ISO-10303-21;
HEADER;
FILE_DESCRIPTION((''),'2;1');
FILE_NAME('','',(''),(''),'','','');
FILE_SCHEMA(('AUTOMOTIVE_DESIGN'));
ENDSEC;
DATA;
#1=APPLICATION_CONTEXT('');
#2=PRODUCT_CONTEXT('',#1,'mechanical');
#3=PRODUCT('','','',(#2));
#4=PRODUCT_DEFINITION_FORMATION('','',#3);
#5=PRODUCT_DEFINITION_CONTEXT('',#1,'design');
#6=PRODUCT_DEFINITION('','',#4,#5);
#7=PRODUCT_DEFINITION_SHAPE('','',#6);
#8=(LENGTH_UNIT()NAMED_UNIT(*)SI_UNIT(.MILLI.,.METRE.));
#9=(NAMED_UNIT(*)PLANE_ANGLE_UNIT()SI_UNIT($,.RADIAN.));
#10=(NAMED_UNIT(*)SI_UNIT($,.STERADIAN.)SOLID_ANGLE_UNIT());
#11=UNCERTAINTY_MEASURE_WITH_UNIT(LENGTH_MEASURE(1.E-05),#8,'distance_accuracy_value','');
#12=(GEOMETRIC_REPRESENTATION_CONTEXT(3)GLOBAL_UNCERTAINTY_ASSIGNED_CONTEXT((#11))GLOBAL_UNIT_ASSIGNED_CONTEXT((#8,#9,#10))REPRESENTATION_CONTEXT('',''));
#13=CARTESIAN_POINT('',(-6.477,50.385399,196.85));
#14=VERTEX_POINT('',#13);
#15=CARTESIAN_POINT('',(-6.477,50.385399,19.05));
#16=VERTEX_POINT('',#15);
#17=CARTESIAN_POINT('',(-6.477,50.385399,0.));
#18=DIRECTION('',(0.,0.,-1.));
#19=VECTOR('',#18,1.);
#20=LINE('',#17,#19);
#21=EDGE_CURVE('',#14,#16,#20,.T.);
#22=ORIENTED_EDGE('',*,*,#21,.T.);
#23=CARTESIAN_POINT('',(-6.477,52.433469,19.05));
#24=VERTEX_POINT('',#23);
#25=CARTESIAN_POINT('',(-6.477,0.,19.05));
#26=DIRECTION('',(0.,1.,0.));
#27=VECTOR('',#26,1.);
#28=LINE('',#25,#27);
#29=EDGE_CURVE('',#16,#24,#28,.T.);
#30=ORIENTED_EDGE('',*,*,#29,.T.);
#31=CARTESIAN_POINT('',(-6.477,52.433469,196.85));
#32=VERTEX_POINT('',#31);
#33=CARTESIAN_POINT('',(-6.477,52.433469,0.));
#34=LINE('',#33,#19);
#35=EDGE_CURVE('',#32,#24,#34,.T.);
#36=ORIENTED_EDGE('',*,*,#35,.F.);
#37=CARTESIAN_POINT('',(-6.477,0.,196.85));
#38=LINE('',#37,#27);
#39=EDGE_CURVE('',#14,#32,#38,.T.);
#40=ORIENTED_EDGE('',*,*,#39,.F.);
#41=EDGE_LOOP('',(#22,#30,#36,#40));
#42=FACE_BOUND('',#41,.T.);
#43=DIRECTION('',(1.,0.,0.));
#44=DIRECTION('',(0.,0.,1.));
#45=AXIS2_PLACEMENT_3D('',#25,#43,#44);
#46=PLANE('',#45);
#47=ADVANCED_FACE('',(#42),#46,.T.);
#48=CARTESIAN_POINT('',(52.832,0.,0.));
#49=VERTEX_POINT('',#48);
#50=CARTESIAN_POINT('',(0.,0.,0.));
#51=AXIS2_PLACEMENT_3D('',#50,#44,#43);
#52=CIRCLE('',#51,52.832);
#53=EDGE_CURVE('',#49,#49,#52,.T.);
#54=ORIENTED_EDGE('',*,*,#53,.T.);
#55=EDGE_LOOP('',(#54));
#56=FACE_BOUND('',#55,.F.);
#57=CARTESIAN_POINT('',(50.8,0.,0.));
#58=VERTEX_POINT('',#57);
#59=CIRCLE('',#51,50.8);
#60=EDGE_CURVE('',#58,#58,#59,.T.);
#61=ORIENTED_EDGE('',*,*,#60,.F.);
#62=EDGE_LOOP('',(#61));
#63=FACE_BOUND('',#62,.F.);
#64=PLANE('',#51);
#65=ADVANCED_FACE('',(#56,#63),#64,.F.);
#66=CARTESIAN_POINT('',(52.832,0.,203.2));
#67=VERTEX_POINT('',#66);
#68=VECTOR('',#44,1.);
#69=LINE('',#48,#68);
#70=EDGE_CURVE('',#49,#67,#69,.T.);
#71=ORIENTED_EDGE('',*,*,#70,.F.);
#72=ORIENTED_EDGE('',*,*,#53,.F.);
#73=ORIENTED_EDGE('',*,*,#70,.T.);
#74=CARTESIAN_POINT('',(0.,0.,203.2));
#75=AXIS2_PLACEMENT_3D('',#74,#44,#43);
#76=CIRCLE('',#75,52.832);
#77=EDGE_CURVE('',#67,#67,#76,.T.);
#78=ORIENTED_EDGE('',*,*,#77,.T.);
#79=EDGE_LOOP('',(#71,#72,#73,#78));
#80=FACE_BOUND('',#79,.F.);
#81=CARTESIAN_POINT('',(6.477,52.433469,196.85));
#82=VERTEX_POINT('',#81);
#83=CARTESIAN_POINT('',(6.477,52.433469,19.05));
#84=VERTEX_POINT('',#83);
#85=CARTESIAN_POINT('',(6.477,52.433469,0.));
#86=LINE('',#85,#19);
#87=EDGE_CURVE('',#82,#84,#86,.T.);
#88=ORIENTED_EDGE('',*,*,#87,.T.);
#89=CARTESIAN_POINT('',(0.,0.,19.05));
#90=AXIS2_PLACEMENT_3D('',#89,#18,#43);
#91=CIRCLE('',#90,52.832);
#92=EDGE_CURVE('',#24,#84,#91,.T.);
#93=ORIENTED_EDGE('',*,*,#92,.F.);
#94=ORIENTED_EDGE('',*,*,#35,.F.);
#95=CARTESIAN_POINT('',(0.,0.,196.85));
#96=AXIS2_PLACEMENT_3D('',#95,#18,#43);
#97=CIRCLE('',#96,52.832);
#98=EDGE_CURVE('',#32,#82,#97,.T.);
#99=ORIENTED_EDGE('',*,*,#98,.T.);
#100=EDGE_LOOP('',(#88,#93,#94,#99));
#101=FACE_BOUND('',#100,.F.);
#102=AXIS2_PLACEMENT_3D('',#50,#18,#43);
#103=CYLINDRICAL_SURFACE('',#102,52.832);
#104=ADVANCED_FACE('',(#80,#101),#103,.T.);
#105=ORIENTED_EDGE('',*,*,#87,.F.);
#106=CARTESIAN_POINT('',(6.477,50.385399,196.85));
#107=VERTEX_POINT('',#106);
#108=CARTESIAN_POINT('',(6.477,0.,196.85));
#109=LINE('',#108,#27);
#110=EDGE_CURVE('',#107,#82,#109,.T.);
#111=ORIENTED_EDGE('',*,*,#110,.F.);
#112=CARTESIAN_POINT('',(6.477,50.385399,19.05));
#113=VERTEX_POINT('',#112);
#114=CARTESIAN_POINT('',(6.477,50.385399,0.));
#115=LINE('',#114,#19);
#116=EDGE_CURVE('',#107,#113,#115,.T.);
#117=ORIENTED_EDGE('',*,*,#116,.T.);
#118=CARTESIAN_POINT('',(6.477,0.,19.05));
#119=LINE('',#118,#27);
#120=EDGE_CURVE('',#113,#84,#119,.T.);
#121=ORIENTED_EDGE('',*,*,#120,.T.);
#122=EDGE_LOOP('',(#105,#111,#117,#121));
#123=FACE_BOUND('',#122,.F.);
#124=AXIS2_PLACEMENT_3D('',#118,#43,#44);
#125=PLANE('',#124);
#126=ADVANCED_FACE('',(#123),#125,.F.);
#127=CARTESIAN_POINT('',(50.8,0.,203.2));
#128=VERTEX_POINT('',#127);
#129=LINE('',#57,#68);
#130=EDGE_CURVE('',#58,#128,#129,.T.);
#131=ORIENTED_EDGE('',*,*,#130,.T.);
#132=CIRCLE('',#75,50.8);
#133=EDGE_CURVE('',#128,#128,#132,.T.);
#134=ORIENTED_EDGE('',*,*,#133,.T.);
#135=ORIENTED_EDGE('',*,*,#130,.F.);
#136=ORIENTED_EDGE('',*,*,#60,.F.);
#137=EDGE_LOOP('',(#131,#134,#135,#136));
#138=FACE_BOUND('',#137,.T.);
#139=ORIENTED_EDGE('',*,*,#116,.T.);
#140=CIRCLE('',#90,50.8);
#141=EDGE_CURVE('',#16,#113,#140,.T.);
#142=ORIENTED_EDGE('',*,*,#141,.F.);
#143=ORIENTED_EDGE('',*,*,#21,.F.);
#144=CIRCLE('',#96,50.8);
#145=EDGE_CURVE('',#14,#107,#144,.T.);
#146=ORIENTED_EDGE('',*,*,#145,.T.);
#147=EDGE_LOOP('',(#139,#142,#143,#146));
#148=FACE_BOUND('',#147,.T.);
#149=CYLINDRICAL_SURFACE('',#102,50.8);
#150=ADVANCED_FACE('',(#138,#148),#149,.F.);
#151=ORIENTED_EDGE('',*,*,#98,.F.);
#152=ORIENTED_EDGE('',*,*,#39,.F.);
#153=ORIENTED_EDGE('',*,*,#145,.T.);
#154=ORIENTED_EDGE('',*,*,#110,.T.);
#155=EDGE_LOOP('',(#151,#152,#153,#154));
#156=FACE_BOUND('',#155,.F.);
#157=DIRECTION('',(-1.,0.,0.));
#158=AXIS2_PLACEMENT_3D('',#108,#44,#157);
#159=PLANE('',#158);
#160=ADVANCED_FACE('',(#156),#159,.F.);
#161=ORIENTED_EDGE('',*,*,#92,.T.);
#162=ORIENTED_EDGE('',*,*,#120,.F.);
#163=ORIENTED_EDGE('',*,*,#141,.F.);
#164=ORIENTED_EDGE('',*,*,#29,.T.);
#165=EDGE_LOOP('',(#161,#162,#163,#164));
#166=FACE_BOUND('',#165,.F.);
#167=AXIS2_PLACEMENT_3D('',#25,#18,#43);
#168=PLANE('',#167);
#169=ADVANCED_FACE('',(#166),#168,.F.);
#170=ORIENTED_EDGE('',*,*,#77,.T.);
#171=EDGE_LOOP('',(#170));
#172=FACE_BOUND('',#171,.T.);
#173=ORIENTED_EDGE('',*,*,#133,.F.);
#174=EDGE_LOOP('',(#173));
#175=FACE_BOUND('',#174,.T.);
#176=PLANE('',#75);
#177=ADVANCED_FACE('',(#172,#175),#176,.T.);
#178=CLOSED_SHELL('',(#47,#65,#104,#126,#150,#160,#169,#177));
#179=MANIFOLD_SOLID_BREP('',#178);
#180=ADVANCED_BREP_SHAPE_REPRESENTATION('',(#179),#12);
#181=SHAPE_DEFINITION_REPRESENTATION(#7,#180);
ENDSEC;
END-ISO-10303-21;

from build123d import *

# Parameters (mm, degrees)
F0_R     = 52.832
F0_R_2   = 50.8
F1_DEPTH = 203.2
F2_W     = 6.477
F2_H     = 177.8
F3_DEPTH = 76.2


with BuildPart() as f1:
    # F0 (on Top) → F1 (new body)
    with BuildSketch(Plane.XY):
        Circle(F0_R)
        Circle(F0_R_2, mode=Mode.SUBTRACT)
    extrude(amount=F1_DEPTH)

    # F2 (on Front) → F3 (cut)
    with BuildSketch(Plane.XZ):
        with Locations((-3.2385, 107.95)):
            Rectangle(F2_W, F2_H)
        with Locations((3.2385, 107.95)):
            Rectangle(F2_W, F2_H)
    extrude(amount=-F3_DEPTH, mode=Mode.SUBTRACT)


solid = f1.part
